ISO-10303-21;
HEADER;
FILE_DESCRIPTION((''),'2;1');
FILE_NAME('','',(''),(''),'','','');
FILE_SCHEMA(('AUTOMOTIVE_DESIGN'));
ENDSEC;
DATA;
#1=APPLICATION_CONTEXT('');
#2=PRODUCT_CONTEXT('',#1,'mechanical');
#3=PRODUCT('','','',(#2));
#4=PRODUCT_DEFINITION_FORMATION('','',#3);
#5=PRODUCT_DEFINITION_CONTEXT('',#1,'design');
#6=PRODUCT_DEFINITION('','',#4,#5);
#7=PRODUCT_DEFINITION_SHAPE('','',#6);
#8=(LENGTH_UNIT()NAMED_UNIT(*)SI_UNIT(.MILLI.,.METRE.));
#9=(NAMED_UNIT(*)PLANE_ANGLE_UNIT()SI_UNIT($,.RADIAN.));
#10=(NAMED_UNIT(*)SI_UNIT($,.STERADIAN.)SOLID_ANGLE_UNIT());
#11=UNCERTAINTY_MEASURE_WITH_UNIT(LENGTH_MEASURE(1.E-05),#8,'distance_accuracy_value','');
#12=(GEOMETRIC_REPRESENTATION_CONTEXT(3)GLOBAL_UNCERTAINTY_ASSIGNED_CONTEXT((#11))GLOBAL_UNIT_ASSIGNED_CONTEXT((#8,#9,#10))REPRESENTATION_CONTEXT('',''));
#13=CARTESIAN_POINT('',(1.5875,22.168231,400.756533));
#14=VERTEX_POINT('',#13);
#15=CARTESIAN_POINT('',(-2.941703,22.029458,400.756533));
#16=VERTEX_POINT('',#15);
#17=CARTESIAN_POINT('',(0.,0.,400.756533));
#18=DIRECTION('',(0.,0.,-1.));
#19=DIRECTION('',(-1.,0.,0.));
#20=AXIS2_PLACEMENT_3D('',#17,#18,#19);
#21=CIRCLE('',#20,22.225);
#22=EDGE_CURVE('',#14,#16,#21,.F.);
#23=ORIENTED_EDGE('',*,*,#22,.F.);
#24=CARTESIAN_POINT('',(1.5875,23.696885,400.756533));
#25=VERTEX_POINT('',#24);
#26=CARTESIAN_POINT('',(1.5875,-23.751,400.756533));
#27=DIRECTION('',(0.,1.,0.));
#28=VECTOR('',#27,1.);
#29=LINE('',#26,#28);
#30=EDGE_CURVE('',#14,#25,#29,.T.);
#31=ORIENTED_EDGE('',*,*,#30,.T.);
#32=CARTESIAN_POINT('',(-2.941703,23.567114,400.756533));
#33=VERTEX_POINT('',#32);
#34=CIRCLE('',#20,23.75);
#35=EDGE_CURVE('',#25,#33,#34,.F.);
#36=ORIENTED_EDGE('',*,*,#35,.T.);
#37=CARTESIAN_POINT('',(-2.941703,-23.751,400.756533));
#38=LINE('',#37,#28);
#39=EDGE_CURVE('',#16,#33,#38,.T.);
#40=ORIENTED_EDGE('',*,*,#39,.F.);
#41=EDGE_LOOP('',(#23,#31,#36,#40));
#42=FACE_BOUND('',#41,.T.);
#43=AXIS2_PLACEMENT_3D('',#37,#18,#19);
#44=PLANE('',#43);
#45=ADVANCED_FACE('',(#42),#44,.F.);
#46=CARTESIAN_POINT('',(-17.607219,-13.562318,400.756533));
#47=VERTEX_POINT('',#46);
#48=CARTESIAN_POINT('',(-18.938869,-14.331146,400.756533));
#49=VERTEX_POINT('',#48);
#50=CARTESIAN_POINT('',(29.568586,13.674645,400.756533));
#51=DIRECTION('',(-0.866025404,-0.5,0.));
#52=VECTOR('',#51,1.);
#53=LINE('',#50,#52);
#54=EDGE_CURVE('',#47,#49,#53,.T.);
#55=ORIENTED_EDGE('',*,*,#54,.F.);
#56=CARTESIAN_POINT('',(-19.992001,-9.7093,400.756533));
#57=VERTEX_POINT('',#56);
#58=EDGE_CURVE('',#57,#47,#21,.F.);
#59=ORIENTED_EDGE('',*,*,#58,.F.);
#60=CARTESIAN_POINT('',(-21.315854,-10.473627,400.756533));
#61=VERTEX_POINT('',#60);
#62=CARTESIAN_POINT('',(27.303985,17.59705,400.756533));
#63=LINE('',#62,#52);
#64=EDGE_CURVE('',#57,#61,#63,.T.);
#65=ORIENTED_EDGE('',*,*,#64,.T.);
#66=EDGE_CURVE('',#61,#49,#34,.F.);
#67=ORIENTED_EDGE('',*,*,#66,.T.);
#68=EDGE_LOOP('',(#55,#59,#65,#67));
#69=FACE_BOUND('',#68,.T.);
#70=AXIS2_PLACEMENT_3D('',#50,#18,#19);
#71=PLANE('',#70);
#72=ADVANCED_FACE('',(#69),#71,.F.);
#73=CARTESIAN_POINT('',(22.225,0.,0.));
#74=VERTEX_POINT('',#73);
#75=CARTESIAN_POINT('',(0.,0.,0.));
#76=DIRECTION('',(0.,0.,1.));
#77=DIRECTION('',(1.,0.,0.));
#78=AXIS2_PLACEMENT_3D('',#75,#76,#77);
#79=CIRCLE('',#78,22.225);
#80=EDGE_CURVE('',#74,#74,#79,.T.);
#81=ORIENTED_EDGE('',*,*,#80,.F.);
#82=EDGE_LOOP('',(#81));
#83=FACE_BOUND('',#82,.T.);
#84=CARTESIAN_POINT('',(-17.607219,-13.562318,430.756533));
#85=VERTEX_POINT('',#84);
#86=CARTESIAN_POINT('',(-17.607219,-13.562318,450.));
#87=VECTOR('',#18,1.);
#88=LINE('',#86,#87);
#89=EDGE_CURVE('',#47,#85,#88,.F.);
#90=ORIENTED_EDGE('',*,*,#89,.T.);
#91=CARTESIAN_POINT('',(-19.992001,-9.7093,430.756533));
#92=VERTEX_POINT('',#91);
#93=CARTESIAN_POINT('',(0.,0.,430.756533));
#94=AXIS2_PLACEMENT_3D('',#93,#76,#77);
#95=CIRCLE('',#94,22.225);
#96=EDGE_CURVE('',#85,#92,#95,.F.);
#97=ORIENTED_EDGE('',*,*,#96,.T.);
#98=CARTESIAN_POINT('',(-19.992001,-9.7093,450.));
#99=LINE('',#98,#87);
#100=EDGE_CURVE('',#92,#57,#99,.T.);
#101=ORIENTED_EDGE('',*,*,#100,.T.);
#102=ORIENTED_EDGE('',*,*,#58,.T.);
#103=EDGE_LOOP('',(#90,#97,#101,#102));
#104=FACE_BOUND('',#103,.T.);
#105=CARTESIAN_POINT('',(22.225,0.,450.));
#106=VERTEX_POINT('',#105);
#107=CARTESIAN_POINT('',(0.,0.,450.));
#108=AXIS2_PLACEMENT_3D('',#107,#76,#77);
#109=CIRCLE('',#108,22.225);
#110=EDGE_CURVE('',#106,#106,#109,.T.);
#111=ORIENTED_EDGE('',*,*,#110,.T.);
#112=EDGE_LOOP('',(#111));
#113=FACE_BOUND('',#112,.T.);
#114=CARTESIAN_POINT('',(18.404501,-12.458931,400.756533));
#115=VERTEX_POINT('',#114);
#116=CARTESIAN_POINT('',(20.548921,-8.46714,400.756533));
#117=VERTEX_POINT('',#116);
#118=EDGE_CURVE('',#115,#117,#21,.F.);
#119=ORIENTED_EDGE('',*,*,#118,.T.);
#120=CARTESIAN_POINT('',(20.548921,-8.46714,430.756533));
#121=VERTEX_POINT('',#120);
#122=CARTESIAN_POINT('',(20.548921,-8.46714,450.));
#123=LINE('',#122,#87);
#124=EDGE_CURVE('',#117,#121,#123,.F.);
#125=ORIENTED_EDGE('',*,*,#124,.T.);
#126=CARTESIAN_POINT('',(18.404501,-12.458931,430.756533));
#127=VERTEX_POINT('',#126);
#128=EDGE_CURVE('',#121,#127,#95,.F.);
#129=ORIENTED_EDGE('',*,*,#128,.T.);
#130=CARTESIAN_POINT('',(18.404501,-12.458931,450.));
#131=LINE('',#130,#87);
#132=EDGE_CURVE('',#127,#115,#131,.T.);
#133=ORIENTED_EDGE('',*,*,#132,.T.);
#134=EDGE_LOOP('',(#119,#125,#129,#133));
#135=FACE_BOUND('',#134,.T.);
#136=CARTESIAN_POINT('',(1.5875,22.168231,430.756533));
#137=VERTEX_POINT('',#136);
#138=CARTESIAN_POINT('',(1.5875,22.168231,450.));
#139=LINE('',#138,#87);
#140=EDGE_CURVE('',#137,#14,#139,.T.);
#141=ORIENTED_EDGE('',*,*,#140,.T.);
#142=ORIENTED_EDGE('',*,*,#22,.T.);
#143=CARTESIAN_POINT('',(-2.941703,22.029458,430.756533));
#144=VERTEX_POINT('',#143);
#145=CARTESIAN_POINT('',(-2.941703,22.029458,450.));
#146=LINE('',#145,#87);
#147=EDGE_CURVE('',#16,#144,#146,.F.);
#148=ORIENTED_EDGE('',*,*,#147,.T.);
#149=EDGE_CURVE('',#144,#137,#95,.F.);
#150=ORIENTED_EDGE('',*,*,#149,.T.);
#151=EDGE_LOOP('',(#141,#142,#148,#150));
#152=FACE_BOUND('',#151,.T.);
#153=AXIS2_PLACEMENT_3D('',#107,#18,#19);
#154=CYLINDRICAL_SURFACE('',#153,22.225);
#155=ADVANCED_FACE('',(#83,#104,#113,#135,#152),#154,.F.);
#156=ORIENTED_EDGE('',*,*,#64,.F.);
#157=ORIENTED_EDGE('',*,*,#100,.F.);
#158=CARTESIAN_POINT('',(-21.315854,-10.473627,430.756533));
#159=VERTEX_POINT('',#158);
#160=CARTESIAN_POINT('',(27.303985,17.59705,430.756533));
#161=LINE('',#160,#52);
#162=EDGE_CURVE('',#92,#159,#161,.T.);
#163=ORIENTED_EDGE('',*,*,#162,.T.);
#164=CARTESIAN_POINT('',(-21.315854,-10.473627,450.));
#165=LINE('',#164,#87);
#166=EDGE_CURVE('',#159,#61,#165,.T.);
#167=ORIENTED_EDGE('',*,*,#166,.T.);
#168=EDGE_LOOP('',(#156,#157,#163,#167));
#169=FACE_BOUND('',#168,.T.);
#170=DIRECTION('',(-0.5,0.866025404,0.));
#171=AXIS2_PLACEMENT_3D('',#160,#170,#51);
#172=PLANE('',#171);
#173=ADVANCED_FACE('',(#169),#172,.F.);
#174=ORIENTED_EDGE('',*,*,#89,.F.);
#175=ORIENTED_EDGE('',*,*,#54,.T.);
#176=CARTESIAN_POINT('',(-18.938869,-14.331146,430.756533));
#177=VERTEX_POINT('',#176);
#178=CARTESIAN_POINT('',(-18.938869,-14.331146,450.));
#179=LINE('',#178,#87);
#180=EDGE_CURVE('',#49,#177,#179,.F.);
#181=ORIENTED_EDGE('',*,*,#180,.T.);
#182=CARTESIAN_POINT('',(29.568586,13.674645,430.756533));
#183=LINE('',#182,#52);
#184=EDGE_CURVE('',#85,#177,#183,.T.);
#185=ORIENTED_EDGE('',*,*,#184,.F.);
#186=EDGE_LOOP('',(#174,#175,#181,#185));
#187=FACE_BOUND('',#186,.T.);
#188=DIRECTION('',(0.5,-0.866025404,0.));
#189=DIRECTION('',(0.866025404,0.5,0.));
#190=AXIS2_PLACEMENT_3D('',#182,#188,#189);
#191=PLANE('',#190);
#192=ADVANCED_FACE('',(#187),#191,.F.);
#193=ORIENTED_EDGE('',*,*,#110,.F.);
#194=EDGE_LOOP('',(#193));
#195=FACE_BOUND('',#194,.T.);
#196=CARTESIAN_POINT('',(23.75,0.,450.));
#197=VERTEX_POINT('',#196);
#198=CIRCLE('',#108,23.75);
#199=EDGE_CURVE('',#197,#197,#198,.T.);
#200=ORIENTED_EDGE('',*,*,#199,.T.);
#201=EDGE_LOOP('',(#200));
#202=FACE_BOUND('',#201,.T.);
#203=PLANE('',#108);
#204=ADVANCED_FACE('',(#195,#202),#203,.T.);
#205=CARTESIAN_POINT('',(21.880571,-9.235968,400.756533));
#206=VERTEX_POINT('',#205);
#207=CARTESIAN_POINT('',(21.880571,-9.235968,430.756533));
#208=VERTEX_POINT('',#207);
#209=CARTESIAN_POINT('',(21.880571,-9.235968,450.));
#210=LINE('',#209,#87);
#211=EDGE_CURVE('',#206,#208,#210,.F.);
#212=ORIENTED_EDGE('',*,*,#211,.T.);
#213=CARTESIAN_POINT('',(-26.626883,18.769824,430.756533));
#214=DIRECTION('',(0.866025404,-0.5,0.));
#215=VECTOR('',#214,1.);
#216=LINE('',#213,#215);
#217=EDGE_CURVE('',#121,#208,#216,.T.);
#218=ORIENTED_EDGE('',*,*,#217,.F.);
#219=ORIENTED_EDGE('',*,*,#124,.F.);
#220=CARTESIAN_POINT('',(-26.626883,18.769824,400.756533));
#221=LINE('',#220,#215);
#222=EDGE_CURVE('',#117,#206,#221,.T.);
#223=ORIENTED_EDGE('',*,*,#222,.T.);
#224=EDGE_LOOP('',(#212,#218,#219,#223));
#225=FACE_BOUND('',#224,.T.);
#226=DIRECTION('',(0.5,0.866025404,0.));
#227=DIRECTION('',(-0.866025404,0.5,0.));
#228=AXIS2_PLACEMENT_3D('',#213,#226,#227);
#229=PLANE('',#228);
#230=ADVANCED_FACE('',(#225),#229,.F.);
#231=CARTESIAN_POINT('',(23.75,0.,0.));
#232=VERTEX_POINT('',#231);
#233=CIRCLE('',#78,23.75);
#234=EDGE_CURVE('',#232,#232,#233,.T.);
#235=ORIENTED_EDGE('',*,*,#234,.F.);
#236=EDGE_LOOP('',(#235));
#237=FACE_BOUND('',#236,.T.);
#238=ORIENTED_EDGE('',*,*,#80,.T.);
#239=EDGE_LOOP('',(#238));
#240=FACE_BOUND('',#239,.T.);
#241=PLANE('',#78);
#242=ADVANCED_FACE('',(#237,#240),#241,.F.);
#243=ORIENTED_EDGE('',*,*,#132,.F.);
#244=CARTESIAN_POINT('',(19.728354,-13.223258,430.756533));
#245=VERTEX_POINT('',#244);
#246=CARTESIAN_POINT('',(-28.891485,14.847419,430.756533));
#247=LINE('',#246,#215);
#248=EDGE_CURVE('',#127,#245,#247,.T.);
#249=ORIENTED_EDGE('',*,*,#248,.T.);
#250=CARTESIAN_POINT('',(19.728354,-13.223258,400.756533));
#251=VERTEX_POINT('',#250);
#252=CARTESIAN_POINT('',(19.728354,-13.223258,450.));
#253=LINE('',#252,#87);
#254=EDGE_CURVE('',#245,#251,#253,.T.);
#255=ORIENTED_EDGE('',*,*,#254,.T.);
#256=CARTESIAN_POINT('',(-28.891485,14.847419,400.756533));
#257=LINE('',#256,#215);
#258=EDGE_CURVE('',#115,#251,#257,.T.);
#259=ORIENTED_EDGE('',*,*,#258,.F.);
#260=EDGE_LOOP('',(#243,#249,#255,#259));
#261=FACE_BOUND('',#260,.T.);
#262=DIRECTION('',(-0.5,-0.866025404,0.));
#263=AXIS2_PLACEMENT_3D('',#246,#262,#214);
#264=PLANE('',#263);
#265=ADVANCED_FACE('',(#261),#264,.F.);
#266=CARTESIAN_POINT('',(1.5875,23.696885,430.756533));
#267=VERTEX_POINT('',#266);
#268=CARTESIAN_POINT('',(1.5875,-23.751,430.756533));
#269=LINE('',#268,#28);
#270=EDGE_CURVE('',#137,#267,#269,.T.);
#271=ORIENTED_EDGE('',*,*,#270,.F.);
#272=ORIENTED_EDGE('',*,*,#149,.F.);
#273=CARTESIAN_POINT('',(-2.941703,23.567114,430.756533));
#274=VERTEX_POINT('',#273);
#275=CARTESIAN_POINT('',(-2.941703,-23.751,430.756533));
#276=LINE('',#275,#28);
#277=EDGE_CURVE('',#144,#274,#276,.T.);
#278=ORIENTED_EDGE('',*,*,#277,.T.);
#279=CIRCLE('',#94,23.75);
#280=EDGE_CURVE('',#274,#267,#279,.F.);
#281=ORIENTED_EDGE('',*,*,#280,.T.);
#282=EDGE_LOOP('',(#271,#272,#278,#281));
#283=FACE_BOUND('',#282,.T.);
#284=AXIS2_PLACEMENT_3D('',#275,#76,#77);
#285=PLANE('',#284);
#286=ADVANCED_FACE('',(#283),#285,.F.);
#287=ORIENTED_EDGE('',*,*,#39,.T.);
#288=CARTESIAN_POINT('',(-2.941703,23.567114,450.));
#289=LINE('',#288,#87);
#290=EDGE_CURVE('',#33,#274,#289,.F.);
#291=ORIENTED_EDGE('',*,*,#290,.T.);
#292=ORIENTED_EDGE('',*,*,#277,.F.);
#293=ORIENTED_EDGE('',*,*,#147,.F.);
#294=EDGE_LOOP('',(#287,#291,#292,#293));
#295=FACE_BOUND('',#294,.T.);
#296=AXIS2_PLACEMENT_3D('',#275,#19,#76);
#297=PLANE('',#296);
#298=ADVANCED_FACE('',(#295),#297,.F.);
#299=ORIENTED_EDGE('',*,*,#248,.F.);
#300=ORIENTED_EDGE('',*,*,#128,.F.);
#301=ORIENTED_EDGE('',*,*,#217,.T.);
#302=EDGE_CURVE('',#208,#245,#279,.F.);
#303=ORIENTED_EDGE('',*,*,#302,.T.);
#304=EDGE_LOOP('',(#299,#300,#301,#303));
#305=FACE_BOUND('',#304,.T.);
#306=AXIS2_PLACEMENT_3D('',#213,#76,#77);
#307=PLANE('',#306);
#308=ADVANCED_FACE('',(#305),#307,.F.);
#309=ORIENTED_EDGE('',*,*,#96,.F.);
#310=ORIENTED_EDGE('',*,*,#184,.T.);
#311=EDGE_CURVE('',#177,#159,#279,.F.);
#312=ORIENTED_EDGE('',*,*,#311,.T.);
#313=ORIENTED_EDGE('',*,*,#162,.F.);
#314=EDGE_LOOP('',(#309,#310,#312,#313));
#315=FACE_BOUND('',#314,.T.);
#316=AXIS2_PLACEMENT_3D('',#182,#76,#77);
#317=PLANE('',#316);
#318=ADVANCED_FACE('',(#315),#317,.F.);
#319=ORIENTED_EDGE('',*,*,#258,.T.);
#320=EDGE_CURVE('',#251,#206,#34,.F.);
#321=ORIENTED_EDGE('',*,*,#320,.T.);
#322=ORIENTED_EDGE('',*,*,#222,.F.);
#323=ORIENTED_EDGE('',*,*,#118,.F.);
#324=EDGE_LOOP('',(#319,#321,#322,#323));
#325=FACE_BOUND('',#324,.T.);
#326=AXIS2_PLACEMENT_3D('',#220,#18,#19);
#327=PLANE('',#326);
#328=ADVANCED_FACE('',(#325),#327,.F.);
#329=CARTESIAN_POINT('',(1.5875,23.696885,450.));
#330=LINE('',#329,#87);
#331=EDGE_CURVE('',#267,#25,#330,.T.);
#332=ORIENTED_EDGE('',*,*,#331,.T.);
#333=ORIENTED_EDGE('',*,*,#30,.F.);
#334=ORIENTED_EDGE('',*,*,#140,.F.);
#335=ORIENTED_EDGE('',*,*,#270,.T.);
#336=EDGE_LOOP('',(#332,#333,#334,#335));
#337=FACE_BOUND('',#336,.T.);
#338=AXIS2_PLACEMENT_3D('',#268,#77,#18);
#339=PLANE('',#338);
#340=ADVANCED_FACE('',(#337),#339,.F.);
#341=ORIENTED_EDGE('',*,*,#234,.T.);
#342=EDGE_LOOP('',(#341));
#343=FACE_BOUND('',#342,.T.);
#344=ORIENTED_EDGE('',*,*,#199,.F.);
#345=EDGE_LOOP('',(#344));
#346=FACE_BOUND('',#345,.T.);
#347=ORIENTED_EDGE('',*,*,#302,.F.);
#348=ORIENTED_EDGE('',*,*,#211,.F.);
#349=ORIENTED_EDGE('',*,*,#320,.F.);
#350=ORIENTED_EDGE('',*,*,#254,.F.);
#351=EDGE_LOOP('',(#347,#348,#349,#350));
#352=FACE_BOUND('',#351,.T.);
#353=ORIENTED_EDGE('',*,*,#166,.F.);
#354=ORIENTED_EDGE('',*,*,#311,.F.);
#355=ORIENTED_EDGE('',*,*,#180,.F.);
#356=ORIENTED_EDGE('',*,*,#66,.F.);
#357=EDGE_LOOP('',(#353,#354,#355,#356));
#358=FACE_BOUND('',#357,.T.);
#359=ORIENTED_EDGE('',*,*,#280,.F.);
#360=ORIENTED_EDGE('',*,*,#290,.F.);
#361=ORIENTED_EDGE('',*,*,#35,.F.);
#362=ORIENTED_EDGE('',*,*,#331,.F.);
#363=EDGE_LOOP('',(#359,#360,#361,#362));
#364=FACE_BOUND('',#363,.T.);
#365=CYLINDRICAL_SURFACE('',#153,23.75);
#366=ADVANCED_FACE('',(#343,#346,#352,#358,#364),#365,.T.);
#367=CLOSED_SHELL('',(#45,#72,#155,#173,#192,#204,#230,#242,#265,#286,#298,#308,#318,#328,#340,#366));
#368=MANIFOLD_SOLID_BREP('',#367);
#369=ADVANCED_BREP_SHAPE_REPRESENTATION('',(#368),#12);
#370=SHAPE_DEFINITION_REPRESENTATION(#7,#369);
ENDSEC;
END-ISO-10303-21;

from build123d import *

# Parameters (mm, degrees)
SKETCH1_R           = 23.75
SKETCH1_R_2         = 22.225
BOSS_EXTRUDE1_DEPTH = 450
CUT_EXTRUDE1_START  = -77.970542
SKETCH2_W           = 4.52920266
SKETCH2_H           = 30
CUT_EXTRUDE1_DEPTH  = 1.720542
CIRPATTERN2_COUNT   = 3


with BuildPart() as part:
    # Sketch1 → Boss-Extrude1 (new body)
    with BuildSketch(Plane.XY):
        Circle(SKETCH1_R)
        Circle(SKETCH1_R_2, mode=Mode.SUBTRACT)
    extrude(amount=BOSS_EXTRUDE1_DEPTH)

    # Sketch2 → Cut-Extrude1 (cut)
    with BuildSketch(Plane(origin=(0, 100, 0), x_dir=(1, 0, 0), z_dir=(0, 1, 0)).offset(CUT_EXTRUDE1_START)):
        with Locations((-0.67710133, -415.7565327)):
            Rectangle(SKETCH2_W, SKETCH2_H)
    cut_extrude1 = extrude(amount=CUT_EXTRUDE1_DEPTH, mode=Mode.SUBTRACT)

    # CirPattern2: Cut-Extrude1 ×3 about axis
    cirpattern2_axis = Axis((0, 0, 0), (0, 0, 1))
    for i in range(1, CIRPATTERN2_COUNT):
        add(cut_extrude1.rotate(cirpattern2_axis, i * 360 / CIRPATTERN2_COUNT), mode=Mode.SUBTRACT)


solid = part.part
